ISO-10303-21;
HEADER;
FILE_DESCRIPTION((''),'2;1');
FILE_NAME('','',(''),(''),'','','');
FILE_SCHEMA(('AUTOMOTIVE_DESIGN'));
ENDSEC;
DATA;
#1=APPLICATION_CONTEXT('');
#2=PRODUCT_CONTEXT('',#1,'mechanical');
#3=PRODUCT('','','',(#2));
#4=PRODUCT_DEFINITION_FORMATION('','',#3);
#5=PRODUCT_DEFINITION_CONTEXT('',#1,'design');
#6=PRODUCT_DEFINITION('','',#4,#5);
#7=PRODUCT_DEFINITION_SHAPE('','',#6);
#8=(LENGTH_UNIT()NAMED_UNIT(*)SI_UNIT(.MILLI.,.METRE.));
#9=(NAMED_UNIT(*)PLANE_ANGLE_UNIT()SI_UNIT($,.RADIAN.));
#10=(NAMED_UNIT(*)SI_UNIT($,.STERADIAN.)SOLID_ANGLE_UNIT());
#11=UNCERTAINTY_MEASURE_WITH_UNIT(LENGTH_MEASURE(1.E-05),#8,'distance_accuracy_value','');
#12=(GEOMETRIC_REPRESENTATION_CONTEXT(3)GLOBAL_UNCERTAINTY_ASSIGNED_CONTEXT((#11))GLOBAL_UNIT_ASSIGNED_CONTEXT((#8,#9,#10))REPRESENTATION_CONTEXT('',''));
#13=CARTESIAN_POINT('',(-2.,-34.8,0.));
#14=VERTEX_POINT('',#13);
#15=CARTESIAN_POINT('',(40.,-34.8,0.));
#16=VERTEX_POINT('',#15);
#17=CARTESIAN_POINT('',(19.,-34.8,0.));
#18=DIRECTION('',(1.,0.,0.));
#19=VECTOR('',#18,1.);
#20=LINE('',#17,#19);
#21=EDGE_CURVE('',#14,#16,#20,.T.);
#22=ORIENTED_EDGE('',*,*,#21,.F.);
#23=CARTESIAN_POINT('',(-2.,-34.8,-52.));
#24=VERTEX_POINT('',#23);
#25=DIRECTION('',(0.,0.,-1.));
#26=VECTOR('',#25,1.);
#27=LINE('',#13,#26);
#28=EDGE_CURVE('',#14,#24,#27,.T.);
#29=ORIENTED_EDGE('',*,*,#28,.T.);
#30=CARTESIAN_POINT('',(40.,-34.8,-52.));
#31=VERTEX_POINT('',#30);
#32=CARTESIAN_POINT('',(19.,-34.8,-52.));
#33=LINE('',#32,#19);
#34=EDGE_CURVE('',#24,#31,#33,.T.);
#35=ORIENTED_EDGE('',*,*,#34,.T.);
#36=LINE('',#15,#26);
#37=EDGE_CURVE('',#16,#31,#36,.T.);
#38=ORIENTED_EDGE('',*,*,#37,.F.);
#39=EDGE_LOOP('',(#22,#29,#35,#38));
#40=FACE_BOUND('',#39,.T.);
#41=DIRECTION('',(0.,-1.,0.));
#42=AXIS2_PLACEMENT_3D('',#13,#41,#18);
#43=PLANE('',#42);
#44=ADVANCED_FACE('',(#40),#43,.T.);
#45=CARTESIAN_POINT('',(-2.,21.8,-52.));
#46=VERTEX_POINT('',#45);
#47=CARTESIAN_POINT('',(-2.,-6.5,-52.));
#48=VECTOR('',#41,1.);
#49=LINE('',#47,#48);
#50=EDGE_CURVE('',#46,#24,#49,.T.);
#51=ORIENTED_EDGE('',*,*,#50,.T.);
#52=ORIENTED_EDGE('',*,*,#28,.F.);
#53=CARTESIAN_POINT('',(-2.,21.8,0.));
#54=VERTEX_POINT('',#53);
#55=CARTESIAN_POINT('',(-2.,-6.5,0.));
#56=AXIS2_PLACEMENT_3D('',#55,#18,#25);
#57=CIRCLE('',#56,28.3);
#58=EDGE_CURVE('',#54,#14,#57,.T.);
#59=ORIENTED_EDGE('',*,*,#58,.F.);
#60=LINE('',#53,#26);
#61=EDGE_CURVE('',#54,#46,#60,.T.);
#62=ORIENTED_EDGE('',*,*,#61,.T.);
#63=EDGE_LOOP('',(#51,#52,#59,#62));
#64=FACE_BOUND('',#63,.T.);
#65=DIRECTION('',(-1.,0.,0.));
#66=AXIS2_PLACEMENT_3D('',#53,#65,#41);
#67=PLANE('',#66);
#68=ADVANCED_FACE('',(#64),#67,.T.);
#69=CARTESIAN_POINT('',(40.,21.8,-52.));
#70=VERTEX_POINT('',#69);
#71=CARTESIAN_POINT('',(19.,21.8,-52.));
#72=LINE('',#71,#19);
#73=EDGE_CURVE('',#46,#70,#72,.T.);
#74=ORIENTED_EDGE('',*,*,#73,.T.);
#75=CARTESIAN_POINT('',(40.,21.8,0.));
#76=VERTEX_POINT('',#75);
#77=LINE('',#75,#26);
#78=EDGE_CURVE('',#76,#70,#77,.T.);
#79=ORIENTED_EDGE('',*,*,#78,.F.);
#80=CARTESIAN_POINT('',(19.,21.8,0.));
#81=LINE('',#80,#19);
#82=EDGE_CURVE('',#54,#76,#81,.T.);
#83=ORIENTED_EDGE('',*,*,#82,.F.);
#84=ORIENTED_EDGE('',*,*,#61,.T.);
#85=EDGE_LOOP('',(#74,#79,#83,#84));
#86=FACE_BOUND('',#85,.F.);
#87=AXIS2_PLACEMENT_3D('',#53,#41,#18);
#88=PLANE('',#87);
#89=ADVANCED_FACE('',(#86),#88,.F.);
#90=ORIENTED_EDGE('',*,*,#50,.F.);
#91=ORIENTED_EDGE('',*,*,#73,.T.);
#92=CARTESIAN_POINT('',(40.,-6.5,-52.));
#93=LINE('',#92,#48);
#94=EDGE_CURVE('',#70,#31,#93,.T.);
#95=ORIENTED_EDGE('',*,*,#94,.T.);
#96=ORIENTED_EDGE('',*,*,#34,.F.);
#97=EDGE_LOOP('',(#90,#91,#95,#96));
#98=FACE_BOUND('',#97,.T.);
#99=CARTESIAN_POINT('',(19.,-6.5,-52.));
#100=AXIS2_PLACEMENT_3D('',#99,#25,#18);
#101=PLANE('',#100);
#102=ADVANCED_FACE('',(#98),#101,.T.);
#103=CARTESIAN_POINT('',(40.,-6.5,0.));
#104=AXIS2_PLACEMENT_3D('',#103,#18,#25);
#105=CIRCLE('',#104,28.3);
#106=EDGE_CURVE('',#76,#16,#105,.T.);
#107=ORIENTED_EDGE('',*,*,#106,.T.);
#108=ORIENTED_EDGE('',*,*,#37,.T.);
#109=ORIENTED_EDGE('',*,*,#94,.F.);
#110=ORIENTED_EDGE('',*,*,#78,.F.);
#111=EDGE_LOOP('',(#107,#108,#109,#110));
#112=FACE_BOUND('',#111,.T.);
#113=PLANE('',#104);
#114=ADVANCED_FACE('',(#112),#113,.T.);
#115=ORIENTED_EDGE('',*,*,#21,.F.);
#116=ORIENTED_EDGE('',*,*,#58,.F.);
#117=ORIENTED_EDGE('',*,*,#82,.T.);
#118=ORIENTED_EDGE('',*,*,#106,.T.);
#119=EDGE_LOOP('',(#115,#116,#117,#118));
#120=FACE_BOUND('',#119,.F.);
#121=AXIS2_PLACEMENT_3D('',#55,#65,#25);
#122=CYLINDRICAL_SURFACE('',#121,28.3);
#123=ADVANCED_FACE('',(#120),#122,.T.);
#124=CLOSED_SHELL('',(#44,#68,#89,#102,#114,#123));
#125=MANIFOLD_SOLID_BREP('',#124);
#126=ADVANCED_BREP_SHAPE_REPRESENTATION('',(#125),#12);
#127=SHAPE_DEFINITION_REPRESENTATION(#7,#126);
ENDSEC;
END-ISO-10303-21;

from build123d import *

# Parameters (mm, degrees)
CYLINDER002_R     = 28.3
CYLINDER002_DEPTH = 42
BOX004_W          = 42
BOX004_H          = 56.6
BOX004_DEPTH      = 52


with BuildPart() as top_cylinder001:
    # Cylinder002 → Cylinder002 (new body)
    with BuildSketch(Plane(origin=(-2, -6.5, 0), x_dir=(0, 0, -1), z_dir=(1, 0, 0))):
        Circle(CYLINDER002_R)
    extrude(amount=CYLINDER002_DEPTH)


with BuildPart() as bisect_intersect:
    # Box004 → Box004 (new body)
    with BuildSketch(Plane(origin=(-2, 21.8, 0), x_dir=(1, 0, 0), z_dir=(0, 0, -1))):
        with Locations((21, 28.3)):
            Rectangle(BOX004_W, BOX004_H)
    extrude(amount=BOX004_DEPTH)

    # Fusion002: union top cylinder001
    add(top_cylinder001.part)


solid = bisect_intersect.part
